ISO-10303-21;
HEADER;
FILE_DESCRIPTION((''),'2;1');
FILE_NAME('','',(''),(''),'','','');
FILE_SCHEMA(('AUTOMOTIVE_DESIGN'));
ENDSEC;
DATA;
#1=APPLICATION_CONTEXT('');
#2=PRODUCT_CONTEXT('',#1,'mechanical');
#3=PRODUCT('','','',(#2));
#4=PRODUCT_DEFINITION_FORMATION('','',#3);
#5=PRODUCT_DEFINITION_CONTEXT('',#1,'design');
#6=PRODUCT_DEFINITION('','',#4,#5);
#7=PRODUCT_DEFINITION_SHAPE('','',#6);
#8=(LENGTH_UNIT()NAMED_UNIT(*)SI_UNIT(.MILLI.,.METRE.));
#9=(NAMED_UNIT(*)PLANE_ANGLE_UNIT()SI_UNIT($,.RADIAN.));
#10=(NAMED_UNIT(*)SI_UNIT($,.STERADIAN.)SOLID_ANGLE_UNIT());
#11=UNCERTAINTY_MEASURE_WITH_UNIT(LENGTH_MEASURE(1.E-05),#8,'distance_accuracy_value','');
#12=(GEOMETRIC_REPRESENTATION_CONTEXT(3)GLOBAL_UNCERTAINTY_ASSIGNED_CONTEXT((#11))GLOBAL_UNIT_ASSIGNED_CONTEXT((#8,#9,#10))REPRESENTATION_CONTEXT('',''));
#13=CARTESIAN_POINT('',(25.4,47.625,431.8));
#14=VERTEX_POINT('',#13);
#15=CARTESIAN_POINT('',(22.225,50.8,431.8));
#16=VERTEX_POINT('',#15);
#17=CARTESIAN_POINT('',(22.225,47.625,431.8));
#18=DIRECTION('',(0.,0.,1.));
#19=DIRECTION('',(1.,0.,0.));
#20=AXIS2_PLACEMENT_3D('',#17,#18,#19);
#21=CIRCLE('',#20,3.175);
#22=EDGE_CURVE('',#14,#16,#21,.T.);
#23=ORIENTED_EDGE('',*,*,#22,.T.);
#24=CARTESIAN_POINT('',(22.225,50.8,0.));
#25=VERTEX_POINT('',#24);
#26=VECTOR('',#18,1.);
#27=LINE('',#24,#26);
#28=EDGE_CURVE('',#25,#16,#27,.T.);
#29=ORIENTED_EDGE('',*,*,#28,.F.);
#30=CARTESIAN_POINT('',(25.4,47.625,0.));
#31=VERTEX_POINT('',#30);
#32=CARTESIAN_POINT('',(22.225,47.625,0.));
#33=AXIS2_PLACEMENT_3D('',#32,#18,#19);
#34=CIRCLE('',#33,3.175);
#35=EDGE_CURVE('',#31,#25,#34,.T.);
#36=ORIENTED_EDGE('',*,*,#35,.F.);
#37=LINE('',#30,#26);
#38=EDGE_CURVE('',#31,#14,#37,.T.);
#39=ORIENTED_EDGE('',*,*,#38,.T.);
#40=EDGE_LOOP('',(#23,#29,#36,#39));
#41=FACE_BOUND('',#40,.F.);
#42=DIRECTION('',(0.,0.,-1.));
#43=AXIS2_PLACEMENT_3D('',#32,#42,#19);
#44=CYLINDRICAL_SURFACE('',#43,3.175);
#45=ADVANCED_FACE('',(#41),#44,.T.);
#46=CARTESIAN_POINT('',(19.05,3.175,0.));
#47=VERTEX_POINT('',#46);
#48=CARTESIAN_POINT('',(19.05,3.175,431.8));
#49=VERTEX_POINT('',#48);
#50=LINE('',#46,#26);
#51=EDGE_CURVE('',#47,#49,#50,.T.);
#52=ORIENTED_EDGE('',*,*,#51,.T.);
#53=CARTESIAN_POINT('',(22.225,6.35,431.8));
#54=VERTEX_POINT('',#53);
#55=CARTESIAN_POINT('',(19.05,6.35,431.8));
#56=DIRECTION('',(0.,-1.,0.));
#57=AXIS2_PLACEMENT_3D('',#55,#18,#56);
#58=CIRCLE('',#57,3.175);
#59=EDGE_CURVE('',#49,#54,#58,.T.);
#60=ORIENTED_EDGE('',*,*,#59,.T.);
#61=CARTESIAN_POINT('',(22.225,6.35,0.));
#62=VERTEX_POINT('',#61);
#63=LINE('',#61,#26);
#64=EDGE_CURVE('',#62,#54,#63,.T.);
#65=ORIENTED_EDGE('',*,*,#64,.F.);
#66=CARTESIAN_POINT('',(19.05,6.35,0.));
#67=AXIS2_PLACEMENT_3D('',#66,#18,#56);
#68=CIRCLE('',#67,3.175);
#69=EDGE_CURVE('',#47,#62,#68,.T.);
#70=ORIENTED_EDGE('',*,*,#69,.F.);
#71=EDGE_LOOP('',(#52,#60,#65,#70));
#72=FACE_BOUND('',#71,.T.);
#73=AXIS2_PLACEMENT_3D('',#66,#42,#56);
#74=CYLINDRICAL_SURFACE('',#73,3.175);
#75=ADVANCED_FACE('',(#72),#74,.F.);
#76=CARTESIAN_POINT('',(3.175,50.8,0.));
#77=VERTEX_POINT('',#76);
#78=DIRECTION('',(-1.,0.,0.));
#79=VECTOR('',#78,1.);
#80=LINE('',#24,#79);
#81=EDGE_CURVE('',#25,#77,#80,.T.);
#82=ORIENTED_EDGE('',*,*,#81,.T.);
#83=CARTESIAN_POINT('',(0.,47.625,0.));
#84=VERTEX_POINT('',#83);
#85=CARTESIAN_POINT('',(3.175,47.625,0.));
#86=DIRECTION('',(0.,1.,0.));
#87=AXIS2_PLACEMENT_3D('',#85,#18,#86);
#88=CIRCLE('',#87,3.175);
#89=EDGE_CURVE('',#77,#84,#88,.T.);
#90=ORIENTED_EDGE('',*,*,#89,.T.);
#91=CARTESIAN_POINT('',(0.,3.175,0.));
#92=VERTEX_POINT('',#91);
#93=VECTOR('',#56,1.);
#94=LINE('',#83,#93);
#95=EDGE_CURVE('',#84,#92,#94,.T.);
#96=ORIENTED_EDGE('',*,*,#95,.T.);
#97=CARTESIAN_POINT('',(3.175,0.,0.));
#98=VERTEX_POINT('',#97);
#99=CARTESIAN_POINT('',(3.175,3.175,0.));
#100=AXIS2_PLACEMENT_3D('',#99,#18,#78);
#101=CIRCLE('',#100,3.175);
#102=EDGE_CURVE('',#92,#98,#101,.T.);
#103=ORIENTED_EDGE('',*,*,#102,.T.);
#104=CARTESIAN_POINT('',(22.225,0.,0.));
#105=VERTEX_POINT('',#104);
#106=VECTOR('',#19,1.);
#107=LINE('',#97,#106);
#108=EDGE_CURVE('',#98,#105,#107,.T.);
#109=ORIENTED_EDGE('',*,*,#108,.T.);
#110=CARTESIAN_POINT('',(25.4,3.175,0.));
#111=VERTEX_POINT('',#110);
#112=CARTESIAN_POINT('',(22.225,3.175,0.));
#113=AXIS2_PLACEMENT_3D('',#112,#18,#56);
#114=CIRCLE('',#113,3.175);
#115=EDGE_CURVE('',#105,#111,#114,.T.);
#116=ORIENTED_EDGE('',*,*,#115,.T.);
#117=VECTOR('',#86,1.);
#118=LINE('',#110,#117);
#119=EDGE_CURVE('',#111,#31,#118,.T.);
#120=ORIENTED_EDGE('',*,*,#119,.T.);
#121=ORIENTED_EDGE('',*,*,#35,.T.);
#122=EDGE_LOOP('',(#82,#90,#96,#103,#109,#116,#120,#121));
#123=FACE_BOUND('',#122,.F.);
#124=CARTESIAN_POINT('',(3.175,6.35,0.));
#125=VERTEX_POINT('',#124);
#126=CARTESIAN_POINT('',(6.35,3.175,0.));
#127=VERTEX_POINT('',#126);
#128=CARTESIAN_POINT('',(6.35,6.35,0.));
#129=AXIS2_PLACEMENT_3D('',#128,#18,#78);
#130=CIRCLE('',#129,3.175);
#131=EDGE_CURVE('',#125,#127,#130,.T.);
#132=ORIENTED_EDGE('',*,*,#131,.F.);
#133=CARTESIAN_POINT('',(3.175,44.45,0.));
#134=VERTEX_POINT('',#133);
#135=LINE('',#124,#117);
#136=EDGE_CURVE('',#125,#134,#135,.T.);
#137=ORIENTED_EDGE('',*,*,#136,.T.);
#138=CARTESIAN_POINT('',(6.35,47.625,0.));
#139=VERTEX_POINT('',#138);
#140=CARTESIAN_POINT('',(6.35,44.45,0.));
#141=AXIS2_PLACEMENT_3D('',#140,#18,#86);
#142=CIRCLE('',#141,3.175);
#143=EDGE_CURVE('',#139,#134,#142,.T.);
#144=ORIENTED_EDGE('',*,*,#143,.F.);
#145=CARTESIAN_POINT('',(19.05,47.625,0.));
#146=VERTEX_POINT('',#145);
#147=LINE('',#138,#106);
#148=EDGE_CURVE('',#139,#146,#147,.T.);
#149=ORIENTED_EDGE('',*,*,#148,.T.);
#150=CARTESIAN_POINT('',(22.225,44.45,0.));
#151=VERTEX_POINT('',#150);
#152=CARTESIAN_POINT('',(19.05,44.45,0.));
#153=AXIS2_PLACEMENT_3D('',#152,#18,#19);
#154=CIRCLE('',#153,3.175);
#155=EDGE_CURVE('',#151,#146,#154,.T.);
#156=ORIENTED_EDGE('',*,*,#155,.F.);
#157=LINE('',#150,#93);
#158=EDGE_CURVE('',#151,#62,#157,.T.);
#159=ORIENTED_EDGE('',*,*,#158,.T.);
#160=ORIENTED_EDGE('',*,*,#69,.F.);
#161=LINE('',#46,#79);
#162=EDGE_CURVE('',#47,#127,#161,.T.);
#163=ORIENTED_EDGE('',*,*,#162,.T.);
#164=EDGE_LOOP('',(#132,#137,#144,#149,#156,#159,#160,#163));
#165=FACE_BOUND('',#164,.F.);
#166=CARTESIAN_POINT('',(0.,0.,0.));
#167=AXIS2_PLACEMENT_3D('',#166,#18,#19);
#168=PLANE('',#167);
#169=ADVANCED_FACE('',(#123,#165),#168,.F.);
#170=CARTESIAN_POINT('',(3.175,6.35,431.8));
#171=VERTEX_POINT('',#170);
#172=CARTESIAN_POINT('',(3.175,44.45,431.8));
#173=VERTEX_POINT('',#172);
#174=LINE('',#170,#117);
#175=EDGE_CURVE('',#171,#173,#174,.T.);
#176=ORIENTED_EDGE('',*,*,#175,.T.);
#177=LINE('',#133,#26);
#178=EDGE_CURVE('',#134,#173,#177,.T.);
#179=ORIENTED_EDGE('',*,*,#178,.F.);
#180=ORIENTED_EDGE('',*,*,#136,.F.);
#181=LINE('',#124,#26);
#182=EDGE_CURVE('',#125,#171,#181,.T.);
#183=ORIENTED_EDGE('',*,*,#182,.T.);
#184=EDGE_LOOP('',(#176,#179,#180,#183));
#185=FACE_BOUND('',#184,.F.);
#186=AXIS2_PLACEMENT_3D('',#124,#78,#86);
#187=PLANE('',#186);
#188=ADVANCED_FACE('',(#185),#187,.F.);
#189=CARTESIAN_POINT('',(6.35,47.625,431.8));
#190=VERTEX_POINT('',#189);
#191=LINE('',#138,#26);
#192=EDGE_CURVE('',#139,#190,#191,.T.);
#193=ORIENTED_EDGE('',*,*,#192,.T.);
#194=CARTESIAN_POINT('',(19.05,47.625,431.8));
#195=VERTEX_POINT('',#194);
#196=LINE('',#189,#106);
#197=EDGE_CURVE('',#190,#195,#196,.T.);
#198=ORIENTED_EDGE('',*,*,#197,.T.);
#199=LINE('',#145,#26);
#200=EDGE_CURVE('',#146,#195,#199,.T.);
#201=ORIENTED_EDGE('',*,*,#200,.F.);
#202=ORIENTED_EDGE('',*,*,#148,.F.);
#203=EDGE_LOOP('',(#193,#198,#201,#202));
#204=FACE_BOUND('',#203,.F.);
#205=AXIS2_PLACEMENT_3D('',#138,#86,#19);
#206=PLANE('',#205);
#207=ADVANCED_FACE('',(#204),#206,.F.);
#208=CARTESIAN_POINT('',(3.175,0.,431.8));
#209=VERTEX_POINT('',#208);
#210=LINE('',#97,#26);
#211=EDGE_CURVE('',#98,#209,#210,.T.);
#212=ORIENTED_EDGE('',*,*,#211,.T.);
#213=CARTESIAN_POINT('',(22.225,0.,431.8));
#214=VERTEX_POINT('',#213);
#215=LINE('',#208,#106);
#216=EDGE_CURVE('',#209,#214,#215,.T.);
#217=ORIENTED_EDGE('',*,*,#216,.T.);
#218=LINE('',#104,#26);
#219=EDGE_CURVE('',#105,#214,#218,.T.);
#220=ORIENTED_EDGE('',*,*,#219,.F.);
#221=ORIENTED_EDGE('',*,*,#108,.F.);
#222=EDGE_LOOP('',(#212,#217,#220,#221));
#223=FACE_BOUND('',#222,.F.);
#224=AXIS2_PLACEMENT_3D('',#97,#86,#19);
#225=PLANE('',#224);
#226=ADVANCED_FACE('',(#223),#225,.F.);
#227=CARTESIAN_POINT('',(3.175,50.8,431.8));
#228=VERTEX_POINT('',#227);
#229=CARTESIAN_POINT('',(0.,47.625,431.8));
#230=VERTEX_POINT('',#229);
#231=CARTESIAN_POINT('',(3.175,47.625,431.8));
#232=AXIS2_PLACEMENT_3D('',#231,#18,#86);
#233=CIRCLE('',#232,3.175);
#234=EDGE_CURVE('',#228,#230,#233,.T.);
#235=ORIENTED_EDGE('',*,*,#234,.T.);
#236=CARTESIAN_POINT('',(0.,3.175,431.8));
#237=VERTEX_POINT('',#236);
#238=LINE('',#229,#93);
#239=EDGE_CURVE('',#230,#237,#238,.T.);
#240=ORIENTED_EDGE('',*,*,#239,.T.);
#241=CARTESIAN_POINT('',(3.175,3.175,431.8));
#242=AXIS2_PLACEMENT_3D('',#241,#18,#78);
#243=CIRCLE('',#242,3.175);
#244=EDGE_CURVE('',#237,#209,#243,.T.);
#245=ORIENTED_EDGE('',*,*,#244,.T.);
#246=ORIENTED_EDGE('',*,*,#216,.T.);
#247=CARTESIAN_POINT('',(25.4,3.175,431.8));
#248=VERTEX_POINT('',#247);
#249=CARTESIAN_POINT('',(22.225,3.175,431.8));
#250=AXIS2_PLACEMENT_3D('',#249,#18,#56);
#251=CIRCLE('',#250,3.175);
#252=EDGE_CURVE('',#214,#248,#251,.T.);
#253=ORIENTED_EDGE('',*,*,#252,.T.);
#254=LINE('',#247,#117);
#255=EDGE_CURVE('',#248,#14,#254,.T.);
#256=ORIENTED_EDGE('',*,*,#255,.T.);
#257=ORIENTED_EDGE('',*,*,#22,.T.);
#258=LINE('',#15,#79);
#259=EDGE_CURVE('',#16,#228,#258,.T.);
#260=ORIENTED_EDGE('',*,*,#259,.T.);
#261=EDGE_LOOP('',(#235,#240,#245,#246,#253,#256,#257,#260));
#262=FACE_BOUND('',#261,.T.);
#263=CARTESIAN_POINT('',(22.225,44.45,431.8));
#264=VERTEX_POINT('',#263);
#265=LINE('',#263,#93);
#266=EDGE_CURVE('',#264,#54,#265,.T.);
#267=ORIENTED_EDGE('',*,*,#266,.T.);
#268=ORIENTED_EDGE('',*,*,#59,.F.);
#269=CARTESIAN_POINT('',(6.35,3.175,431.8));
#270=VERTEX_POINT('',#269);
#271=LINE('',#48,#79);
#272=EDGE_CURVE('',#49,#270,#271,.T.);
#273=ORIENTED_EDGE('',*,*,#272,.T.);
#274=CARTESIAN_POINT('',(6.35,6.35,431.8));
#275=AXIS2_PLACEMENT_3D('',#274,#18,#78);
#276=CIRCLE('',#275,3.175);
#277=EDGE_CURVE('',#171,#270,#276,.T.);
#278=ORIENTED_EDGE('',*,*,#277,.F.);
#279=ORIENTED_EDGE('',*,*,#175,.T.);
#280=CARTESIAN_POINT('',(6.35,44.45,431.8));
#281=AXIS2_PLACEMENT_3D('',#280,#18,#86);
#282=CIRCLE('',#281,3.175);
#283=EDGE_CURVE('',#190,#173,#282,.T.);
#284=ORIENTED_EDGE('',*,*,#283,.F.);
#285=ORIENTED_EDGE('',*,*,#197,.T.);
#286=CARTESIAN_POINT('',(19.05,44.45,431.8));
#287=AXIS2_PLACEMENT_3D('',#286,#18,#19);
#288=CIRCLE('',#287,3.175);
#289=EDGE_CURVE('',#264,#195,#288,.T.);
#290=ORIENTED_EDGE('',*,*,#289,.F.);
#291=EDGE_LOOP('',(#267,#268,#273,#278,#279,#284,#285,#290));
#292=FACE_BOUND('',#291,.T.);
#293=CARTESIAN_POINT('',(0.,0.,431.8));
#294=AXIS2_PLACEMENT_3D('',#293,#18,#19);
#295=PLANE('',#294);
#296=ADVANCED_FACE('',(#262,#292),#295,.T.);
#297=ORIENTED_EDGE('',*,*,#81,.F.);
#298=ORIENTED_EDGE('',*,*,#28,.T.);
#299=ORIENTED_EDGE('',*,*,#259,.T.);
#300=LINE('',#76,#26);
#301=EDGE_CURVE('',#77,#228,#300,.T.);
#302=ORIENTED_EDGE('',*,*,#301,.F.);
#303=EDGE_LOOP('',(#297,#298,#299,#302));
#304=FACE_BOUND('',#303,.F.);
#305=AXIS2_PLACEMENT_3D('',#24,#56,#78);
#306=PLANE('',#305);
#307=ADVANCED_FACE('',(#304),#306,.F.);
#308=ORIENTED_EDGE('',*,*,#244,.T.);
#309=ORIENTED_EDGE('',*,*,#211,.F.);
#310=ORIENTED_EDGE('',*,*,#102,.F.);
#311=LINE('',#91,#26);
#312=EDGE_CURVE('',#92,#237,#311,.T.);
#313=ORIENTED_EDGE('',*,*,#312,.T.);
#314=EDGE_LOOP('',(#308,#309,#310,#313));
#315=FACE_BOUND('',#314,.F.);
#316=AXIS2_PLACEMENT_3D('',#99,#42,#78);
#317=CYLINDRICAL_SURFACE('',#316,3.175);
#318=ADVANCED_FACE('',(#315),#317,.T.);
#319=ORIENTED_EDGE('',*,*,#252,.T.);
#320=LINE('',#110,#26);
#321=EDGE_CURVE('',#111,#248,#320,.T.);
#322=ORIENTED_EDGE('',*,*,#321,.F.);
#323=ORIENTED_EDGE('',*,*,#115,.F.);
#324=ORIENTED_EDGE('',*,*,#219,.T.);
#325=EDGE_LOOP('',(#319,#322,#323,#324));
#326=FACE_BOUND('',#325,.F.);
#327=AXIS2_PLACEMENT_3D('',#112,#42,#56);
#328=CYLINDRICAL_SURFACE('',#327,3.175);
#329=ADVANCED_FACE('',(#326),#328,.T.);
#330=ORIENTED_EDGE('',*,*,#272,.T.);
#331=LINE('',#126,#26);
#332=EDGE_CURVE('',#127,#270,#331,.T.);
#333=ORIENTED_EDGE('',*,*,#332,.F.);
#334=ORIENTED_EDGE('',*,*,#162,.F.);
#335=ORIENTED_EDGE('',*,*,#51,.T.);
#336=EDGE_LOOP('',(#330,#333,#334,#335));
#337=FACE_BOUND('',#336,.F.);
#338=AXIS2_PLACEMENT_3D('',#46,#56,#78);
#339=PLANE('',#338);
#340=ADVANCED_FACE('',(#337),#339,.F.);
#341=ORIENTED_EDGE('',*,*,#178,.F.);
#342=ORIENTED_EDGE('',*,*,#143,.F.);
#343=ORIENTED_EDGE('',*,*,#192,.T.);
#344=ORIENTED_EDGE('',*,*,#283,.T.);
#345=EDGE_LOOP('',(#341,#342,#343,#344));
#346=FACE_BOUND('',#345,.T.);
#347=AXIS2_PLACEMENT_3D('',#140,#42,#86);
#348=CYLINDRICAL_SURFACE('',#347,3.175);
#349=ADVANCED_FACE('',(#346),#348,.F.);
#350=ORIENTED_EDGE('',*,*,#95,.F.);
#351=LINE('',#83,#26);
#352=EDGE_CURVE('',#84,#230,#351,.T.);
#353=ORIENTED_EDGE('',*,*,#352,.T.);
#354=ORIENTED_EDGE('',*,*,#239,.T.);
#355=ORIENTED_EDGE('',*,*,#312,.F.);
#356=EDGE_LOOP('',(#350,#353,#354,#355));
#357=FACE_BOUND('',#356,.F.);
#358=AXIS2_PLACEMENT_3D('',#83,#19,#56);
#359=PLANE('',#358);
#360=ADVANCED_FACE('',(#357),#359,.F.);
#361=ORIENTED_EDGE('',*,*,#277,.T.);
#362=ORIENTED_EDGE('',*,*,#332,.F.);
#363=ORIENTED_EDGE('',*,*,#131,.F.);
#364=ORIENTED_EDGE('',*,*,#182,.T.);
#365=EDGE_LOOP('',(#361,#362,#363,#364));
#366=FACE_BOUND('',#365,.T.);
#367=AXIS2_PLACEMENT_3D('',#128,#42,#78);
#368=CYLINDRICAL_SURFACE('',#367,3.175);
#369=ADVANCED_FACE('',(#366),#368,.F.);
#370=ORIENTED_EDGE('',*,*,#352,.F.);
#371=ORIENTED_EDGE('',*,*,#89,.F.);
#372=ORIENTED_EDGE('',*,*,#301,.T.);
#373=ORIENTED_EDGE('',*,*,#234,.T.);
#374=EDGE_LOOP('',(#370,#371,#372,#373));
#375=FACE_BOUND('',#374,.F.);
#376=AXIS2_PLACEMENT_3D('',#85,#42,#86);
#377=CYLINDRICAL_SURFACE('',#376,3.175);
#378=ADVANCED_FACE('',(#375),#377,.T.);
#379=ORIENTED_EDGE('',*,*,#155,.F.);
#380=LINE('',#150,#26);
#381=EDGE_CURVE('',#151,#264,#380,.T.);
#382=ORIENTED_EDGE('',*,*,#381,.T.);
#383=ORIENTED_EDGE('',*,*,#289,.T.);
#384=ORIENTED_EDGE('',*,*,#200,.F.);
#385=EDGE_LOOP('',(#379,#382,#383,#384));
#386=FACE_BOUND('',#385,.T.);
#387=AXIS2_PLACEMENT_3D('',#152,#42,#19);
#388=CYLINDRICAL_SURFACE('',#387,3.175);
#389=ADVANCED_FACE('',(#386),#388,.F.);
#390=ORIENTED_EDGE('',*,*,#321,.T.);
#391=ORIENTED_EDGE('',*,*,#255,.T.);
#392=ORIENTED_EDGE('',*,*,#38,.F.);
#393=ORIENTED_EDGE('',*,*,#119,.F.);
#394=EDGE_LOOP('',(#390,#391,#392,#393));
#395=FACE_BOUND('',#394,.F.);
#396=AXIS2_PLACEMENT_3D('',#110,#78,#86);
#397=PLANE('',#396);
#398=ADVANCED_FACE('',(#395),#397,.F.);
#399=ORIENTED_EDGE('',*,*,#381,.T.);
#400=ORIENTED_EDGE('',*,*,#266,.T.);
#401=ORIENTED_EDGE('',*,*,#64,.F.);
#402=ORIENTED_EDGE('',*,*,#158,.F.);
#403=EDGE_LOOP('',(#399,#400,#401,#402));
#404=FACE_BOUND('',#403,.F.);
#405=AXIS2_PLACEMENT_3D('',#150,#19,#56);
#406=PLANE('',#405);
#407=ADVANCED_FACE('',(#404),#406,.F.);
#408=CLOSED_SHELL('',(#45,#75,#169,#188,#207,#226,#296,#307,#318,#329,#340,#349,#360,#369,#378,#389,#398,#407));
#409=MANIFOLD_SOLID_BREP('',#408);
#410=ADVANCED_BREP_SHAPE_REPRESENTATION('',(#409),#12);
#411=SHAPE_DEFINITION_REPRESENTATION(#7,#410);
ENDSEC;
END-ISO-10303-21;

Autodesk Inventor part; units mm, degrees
ref_plane "YZ Plane" through (0, 0, 0) normal (1, 0, 0) x (0, 1, 0)
ref_plane "XZ Plane" through (0, 0, 0) normal (0, 1, 0) x (-1, 0, 0)
ref_plane "XY Plane" through (0, 0, 0) normal (0, 0, 1) x (1, 0, 0)
sketch "Sketch1" plane through (0, 0, 0) normal (0, 0, 1) x (1, 0, 0)
  line L0 (3.175, 0) -> (22.225, 0)
  line L1 (25.4, 3.175) -> (25.4, 47.625)
  line L2 (22.225, 50.8) -> (3.175, 50.8)
  line L3 (0, 47.625) -> (0, 3.175)
  arc A0 (3.175, 50.8) -> (0, 47.625) centre (3.175, 47.625) ccw
  arc A1 (25.4, 47.625) -> (22.225, 50.8) centre (22.225, 47.625) ccw
  arc A2 (22.225, 0) -> (25.4, 3.175) centre (22.225, 3.175) ccw
  arc A3 (0, 3.175) -> (3.175, 0) centre (3.175, 3.175) ccw
  line L4 (6.35, 47.625) -> (19.05, 47.625)
  line L5 (22.225, 44.45) -> (22.225, 6.35)
  line L6 (19.05, 3.175) -> (6.35, 3.175)
  line L7 (3.175, 6.35) -> (3.175, 44.45)
  arc A4 (6.35, 47.625) -> (3.175, 44.45) centre (6.35, 44.45) ccw
  arc A5 (22.225, 44.45) -> (19.05, 47.625) centre (19.05, 44.45) ccw
  arc A6 (3.175, 6.35) -> (6.35, 3.175) centre (6.35, 6.35) ccw
  arc A7 (19.05, 3.175) -> (22.225, 6.35) centre (19.05, 6.35) ccw
  point P0 (0, 0)
  point P1 (25.4, 0)
  point P2 (0, 50.8)
  dimension "d0" = 50.8
  dimension "d1" = 25.4
  dimension "d2" = 3.175
  dimension "d3" = 3.175
  dimension "d4" = 3.175
  dimension "d5" = 3.175
  dimension "d6" = 3.175
  dimension "d7" = 3.175
  dimension "d8" = 3.175
  dimension "d9" = 3.175
  dimension "d10" = 3.175
extrude "Extrusion1" add sketch "Sketch1" along normal blind 431.8
properties part number "O channel 17 inch"
